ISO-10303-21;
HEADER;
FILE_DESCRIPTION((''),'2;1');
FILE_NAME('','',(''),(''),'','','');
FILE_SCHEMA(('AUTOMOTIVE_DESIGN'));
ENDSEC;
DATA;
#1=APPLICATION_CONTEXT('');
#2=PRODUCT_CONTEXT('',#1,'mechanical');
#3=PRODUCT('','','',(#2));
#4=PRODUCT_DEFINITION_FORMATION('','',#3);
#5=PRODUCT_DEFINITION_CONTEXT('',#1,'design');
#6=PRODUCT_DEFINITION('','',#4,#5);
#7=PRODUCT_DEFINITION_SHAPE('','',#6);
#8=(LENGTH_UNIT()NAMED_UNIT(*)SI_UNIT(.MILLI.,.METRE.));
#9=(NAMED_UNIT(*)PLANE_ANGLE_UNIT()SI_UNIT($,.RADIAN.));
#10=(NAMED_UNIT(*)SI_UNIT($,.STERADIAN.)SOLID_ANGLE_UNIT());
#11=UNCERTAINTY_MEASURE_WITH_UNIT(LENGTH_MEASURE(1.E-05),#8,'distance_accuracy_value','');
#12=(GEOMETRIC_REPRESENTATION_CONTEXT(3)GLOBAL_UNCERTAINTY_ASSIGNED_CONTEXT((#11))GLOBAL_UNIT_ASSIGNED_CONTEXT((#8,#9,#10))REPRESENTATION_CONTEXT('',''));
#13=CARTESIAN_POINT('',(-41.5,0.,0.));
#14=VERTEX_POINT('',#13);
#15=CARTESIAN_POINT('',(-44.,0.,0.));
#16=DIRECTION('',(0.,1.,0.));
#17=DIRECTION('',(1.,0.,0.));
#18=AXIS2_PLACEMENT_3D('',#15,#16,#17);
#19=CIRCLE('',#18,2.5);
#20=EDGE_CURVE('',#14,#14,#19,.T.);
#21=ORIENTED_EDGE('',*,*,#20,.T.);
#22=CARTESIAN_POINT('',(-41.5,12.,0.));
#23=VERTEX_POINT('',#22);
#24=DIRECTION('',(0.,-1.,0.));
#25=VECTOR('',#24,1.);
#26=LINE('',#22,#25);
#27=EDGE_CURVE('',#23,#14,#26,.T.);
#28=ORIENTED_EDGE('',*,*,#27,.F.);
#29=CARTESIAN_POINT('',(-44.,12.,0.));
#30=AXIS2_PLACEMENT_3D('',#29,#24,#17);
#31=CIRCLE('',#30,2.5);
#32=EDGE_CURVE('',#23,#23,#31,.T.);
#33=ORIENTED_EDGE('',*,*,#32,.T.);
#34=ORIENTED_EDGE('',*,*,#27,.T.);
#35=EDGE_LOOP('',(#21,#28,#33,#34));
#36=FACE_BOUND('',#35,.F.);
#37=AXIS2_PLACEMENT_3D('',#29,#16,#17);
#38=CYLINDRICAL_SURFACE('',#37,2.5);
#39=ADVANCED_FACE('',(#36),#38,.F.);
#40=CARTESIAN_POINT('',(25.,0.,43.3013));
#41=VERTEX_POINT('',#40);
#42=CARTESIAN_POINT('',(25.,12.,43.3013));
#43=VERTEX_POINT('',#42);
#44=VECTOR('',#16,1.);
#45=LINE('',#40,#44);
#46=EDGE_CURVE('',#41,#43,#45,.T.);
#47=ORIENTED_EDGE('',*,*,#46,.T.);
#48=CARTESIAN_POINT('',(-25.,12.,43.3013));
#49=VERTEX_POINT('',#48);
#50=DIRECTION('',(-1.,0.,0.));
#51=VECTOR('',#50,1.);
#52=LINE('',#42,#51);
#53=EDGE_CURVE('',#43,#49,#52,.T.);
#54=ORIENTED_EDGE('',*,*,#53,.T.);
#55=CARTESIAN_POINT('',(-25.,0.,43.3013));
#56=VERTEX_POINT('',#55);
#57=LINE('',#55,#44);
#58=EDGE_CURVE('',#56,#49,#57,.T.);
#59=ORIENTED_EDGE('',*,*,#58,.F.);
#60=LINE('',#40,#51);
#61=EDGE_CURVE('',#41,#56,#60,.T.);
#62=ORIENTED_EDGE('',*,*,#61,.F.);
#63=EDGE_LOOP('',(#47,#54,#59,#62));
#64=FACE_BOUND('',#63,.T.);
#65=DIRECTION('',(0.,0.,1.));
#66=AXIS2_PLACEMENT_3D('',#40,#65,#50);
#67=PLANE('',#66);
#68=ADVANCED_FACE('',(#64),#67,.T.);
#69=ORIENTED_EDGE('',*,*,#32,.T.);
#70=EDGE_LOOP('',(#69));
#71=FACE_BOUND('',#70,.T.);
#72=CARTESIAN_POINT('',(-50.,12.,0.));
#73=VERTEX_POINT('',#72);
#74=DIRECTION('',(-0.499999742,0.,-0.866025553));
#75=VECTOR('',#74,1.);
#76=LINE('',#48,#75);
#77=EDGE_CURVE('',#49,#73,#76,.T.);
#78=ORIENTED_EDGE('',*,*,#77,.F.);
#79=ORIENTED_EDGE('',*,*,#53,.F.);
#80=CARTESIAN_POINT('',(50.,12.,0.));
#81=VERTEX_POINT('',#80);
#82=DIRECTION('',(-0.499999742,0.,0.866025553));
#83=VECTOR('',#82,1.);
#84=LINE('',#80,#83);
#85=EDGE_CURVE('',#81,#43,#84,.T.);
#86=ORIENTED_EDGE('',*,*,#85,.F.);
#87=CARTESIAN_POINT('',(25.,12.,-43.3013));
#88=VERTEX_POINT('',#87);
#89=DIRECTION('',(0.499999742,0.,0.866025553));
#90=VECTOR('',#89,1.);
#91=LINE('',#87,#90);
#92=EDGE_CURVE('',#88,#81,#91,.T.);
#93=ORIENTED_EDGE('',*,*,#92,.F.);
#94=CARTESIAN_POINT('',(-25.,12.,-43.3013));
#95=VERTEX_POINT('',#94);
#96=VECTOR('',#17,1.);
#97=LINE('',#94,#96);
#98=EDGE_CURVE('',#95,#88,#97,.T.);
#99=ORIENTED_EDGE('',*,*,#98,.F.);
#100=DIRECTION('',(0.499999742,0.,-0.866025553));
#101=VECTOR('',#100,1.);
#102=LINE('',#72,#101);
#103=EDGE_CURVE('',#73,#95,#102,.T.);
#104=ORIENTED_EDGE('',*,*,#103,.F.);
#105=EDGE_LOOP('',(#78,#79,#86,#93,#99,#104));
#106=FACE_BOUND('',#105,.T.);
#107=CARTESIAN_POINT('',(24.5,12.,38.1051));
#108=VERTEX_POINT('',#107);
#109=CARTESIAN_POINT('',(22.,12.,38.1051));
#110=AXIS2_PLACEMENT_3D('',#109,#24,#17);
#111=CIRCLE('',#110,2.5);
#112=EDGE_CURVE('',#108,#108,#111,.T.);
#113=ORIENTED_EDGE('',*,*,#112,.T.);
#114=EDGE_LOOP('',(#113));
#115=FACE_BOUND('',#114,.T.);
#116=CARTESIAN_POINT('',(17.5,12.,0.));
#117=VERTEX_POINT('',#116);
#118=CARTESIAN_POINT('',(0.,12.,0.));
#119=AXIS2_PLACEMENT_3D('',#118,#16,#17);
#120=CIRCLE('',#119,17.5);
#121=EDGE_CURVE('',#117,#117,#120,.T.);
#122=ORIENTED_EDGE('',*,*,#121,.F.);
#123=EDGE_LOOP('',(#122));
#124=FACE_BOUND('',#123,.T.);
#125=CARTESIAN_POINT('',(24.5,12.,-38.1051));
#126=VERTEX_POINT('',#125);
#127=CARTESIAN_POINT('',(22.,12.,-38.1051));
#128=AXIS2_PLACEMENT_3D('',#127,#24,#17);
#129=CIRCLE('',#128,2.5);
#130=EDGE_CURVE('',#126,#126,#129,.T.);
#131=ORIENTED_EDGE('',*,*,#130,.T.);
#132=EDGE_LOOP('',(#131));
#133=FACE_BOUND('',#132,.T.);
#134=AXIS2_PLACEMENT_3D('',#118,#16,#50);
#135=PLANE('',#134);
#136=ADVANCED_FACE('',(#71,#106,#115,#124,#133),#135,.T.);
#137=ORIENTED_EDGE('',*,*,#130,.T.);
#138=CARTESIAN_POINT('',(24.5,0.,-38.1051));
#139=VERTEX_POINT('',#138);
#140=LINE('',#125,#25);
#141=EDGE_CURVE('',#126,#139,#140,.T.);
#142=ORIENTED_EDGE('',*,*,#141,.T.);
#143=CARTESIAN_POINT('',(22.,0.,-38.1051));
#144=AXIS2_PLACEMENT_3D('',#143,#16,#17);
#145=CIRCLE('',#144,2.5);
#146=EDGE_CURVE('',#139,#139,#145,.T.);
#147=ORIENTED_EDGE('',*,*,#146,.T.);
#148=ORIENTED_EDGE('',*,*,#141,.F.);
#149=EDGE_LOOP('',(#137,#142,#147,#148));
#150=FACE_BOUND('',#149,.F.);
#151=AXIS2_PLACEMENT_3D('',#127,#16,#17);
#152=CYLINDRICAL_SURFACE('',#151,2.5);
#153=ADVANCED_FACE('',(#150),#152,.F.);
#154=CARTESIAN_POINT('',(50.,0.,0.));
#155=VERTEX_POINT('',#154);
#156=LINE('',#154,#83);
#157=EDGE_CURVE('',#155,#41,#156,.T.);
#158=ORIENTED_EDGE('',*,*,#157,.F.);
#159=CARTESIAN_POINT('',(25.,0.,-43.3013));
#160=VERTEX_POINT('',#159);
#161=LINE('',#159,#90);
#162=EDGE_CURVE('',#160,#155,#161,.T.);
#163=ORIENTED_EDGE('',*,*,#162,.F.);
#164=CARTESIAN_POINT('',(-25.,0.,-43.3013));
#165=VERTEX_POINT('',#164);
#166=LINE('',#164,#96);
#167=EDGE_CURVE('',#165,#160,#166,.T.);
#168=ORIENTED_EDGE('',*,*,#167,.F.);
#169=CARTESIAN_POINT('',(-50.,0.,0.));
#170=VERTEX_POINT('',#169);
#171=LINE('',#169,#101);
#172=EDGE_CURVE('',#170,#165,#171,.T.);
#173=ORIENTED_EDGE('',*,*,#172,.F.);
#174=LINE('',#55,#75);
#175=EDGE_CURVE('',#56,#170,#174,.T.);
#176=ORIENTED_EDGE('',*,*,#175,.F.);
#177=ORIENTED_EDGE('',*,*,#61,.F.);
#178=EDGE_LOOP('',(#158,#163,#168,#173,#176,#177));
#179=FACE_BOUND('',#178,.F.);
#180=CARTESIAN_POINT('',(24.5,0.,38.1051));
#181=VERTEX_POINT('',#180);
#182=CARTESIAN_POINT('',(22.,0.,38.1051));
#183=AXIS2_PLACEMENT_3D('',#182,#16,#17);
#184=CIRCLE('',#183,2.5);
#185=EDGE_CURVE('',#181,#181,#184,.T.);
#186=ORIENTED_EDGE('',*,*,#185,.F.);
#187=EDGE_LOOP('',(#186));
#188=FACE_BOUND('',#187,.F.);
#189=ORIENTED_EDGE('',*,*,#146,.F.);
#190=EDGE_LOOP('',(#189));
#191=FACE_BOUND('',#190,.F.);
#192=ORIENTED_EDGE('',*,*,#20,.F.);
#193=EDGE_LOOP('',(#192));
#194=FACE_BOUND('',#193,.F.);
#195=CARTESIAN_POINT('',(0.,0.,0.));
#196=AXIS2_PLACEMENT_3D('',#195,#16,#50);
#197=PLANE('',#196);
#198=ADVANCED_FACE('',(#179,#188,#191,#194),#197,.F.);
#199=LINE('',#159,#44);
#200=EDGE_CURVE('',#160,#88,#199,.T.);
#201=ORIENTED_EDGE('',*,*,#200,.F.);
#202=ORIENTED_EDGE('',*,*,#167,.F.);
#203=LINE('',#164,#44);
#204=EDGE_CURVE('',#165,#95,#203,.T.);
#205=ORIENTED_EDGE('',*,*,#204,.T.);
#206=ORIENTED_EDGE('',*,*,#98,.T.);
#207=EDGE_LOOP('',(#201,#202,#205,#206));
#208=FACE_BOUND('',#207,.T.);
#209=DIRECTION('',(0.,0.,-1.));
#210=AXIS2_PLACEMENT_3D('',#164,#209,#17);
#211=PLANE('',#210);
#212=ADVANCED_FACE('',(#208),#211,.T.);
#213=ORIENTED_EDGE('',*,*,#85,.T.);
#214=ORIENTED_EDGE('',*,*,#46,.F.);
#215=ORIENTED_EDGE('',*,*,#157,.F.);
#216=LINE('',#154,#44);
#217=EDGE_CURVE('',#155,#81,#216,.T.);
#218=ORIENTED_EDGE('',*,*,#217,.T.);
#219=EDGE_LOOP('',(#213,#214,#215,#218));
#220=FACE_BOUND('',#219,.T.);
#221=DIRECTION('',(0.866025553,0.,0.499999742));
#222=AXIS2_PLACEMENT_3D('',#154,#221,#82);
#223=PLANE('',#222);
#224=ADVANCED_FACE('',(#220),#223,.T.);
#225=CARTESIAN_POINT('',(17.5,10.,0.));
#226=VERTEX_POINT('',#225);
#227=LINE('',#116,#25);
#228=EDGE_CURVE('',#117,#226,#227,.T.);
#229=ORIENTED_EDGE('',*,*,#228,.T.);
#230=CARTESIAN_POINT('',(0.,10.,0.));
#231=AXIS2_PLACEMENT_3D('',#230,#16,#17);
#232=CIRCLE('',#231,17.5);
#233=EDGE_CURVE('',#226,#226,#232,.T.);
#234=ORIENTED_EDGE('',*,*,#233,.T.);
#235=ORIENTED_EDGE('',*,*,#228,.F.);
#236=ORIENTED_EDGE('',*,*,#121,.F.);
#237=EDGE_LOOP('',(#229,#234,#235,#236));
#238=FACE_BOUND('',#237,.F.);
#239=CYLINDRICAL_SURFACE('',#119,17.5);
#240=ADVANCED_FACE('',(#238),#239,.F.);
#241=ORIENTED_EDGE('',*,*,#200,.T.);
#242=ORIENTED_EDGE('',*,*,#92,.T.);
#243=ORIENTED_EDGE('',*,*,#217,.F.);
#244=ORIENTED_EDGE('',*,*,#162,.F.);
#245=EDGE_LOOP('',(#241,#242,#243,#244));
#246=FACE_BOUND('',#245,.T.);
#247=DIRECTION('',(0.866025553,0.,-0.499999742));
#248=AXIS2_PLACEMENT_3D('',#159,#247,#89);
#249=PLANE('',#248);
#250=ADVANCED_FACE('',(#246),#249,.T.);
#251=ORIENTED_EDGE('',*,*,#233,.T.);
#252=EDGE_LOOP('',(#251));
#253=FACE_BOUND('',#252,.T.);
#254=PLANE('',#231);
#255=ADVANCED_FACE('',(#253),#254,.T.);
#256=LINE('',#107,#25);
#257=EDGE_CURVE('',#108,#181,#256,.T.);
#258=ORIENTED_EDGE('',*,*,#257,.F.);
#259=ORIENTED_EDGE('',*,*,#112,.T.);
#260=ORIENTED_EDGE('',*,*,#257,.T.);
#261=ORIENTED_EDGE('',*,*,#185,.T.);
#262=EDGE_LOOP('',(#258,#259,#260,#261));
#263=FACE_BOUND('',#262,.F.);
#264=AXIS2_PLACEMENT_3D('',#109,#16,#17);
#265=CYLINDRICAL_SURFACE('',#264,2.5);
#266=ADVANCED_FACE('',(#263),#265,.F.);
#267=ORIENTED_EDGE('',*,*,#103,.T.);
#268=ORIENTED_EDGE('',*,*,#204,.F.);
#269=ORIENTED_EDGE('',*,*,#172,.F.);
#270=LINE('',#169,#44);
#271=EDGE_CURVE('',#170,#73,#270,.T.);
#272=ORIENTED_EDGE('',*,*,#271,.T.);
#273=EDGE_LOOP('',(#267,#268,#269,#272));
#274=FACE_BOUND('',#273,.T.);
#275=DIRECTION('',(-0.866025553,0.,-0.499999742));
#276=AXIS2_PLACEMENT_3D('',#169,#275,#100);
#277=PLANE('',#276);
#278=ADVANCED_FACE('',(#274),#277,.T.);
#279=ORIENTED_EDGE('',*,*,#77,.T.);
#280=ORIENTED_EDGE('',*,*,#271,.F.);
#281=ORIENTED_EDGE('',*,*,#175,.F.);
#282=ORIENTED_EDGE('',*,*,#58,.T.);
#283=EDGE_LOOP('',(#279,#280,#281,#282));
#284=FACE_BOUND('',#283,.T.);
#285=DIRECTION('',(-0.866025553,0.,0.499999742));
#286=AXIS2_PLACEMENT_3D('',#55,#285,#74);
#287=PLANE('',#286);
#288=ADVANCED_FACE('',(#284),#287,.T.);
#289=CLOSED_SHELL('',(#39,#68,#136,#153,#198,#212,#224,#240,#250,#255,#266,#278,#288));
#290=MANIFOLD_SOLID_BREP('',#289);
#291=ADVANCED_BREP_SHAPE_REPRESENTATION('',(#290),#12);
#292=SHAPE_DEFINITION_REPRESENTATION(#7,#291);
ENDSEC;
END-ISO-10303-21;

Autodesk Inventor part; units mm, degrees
ref_plane "YZ Plane" through (0, 0, 0) normal (1, 0, 0) x (0, 1, 0)
sketch "Sketch1" plane through (0, 0, 0) normal (0, 1, 0) x (-1, 0, 0)
  line L0 (-25, -43.3013) -> (-50, 0)
  line L1 (-50, 0) -> (-25, 43.3013)
  line L2 (-25, 43.3013) -> (25, 43.3013)
  line L3 (25, 43.3013) -> (50, 0)
  line L4 (50, 0) -> (25, -43.3013)
  line L5 (25, -43.3013) -> (-25, -43.3013)
  point P0 (0, 0)
  point P1 (0, 0)
  dimension "d0" = 50
extrude "Extrusion1" add sketch "Sketch1" along normal blind 12
ref_plane "Work Plane1" through (0, 12, 0) normal (0, 1, 0) x (1, 0, 0)
sketch "Sketch2" plane through (0, 12, 0) normal (0, 1, 0) x (1, 0, 0)
  circle A0 centre (0, 0) radius 17.5
  dimension "d4" = 35
extrude "Extrusion2" cut sketch "Sketch2" against normal blind 2
ref_plane "Work Plane2" through (0, 12, 0) normal (0, 1, 0) x (1, 0, 0)
sketch "Sketch3" plane through (0, 12, 0) normal (0, 1, 0) x (1, 0, 0)
  line L0 (-25, 43.3013) -> (-50, 0) projected
  line L1 (-50, 0) -> (-44, 0)
  circle A0 centre (-44, 0) radius 2.5
  line L2 (50, 0) -> (25, 43.3013) projected
  line L3 (25, 43.3013) -> (22, 38.1051)
  circle A1 centre (22, 38.1051) radius 2.5
  line L4 (25, -43.3013) -> (50, 0) projected
  line L5 (25, -43.3013) -> (22, -38.1051)
  circle A2 centre (22, -38.1051) radius 2.5
  point P0 (0, 0)
  dimension "d8" = 6
  dimension "d9" = 5
  dimension "d10" = 6
  dimension "d11" = 5
  dimension "d13" = 6
  dimension "d14" = 5
extrude "Extrusion3" cut sketch "Sketch3" against normal through all
properties part number "sensor 3"
